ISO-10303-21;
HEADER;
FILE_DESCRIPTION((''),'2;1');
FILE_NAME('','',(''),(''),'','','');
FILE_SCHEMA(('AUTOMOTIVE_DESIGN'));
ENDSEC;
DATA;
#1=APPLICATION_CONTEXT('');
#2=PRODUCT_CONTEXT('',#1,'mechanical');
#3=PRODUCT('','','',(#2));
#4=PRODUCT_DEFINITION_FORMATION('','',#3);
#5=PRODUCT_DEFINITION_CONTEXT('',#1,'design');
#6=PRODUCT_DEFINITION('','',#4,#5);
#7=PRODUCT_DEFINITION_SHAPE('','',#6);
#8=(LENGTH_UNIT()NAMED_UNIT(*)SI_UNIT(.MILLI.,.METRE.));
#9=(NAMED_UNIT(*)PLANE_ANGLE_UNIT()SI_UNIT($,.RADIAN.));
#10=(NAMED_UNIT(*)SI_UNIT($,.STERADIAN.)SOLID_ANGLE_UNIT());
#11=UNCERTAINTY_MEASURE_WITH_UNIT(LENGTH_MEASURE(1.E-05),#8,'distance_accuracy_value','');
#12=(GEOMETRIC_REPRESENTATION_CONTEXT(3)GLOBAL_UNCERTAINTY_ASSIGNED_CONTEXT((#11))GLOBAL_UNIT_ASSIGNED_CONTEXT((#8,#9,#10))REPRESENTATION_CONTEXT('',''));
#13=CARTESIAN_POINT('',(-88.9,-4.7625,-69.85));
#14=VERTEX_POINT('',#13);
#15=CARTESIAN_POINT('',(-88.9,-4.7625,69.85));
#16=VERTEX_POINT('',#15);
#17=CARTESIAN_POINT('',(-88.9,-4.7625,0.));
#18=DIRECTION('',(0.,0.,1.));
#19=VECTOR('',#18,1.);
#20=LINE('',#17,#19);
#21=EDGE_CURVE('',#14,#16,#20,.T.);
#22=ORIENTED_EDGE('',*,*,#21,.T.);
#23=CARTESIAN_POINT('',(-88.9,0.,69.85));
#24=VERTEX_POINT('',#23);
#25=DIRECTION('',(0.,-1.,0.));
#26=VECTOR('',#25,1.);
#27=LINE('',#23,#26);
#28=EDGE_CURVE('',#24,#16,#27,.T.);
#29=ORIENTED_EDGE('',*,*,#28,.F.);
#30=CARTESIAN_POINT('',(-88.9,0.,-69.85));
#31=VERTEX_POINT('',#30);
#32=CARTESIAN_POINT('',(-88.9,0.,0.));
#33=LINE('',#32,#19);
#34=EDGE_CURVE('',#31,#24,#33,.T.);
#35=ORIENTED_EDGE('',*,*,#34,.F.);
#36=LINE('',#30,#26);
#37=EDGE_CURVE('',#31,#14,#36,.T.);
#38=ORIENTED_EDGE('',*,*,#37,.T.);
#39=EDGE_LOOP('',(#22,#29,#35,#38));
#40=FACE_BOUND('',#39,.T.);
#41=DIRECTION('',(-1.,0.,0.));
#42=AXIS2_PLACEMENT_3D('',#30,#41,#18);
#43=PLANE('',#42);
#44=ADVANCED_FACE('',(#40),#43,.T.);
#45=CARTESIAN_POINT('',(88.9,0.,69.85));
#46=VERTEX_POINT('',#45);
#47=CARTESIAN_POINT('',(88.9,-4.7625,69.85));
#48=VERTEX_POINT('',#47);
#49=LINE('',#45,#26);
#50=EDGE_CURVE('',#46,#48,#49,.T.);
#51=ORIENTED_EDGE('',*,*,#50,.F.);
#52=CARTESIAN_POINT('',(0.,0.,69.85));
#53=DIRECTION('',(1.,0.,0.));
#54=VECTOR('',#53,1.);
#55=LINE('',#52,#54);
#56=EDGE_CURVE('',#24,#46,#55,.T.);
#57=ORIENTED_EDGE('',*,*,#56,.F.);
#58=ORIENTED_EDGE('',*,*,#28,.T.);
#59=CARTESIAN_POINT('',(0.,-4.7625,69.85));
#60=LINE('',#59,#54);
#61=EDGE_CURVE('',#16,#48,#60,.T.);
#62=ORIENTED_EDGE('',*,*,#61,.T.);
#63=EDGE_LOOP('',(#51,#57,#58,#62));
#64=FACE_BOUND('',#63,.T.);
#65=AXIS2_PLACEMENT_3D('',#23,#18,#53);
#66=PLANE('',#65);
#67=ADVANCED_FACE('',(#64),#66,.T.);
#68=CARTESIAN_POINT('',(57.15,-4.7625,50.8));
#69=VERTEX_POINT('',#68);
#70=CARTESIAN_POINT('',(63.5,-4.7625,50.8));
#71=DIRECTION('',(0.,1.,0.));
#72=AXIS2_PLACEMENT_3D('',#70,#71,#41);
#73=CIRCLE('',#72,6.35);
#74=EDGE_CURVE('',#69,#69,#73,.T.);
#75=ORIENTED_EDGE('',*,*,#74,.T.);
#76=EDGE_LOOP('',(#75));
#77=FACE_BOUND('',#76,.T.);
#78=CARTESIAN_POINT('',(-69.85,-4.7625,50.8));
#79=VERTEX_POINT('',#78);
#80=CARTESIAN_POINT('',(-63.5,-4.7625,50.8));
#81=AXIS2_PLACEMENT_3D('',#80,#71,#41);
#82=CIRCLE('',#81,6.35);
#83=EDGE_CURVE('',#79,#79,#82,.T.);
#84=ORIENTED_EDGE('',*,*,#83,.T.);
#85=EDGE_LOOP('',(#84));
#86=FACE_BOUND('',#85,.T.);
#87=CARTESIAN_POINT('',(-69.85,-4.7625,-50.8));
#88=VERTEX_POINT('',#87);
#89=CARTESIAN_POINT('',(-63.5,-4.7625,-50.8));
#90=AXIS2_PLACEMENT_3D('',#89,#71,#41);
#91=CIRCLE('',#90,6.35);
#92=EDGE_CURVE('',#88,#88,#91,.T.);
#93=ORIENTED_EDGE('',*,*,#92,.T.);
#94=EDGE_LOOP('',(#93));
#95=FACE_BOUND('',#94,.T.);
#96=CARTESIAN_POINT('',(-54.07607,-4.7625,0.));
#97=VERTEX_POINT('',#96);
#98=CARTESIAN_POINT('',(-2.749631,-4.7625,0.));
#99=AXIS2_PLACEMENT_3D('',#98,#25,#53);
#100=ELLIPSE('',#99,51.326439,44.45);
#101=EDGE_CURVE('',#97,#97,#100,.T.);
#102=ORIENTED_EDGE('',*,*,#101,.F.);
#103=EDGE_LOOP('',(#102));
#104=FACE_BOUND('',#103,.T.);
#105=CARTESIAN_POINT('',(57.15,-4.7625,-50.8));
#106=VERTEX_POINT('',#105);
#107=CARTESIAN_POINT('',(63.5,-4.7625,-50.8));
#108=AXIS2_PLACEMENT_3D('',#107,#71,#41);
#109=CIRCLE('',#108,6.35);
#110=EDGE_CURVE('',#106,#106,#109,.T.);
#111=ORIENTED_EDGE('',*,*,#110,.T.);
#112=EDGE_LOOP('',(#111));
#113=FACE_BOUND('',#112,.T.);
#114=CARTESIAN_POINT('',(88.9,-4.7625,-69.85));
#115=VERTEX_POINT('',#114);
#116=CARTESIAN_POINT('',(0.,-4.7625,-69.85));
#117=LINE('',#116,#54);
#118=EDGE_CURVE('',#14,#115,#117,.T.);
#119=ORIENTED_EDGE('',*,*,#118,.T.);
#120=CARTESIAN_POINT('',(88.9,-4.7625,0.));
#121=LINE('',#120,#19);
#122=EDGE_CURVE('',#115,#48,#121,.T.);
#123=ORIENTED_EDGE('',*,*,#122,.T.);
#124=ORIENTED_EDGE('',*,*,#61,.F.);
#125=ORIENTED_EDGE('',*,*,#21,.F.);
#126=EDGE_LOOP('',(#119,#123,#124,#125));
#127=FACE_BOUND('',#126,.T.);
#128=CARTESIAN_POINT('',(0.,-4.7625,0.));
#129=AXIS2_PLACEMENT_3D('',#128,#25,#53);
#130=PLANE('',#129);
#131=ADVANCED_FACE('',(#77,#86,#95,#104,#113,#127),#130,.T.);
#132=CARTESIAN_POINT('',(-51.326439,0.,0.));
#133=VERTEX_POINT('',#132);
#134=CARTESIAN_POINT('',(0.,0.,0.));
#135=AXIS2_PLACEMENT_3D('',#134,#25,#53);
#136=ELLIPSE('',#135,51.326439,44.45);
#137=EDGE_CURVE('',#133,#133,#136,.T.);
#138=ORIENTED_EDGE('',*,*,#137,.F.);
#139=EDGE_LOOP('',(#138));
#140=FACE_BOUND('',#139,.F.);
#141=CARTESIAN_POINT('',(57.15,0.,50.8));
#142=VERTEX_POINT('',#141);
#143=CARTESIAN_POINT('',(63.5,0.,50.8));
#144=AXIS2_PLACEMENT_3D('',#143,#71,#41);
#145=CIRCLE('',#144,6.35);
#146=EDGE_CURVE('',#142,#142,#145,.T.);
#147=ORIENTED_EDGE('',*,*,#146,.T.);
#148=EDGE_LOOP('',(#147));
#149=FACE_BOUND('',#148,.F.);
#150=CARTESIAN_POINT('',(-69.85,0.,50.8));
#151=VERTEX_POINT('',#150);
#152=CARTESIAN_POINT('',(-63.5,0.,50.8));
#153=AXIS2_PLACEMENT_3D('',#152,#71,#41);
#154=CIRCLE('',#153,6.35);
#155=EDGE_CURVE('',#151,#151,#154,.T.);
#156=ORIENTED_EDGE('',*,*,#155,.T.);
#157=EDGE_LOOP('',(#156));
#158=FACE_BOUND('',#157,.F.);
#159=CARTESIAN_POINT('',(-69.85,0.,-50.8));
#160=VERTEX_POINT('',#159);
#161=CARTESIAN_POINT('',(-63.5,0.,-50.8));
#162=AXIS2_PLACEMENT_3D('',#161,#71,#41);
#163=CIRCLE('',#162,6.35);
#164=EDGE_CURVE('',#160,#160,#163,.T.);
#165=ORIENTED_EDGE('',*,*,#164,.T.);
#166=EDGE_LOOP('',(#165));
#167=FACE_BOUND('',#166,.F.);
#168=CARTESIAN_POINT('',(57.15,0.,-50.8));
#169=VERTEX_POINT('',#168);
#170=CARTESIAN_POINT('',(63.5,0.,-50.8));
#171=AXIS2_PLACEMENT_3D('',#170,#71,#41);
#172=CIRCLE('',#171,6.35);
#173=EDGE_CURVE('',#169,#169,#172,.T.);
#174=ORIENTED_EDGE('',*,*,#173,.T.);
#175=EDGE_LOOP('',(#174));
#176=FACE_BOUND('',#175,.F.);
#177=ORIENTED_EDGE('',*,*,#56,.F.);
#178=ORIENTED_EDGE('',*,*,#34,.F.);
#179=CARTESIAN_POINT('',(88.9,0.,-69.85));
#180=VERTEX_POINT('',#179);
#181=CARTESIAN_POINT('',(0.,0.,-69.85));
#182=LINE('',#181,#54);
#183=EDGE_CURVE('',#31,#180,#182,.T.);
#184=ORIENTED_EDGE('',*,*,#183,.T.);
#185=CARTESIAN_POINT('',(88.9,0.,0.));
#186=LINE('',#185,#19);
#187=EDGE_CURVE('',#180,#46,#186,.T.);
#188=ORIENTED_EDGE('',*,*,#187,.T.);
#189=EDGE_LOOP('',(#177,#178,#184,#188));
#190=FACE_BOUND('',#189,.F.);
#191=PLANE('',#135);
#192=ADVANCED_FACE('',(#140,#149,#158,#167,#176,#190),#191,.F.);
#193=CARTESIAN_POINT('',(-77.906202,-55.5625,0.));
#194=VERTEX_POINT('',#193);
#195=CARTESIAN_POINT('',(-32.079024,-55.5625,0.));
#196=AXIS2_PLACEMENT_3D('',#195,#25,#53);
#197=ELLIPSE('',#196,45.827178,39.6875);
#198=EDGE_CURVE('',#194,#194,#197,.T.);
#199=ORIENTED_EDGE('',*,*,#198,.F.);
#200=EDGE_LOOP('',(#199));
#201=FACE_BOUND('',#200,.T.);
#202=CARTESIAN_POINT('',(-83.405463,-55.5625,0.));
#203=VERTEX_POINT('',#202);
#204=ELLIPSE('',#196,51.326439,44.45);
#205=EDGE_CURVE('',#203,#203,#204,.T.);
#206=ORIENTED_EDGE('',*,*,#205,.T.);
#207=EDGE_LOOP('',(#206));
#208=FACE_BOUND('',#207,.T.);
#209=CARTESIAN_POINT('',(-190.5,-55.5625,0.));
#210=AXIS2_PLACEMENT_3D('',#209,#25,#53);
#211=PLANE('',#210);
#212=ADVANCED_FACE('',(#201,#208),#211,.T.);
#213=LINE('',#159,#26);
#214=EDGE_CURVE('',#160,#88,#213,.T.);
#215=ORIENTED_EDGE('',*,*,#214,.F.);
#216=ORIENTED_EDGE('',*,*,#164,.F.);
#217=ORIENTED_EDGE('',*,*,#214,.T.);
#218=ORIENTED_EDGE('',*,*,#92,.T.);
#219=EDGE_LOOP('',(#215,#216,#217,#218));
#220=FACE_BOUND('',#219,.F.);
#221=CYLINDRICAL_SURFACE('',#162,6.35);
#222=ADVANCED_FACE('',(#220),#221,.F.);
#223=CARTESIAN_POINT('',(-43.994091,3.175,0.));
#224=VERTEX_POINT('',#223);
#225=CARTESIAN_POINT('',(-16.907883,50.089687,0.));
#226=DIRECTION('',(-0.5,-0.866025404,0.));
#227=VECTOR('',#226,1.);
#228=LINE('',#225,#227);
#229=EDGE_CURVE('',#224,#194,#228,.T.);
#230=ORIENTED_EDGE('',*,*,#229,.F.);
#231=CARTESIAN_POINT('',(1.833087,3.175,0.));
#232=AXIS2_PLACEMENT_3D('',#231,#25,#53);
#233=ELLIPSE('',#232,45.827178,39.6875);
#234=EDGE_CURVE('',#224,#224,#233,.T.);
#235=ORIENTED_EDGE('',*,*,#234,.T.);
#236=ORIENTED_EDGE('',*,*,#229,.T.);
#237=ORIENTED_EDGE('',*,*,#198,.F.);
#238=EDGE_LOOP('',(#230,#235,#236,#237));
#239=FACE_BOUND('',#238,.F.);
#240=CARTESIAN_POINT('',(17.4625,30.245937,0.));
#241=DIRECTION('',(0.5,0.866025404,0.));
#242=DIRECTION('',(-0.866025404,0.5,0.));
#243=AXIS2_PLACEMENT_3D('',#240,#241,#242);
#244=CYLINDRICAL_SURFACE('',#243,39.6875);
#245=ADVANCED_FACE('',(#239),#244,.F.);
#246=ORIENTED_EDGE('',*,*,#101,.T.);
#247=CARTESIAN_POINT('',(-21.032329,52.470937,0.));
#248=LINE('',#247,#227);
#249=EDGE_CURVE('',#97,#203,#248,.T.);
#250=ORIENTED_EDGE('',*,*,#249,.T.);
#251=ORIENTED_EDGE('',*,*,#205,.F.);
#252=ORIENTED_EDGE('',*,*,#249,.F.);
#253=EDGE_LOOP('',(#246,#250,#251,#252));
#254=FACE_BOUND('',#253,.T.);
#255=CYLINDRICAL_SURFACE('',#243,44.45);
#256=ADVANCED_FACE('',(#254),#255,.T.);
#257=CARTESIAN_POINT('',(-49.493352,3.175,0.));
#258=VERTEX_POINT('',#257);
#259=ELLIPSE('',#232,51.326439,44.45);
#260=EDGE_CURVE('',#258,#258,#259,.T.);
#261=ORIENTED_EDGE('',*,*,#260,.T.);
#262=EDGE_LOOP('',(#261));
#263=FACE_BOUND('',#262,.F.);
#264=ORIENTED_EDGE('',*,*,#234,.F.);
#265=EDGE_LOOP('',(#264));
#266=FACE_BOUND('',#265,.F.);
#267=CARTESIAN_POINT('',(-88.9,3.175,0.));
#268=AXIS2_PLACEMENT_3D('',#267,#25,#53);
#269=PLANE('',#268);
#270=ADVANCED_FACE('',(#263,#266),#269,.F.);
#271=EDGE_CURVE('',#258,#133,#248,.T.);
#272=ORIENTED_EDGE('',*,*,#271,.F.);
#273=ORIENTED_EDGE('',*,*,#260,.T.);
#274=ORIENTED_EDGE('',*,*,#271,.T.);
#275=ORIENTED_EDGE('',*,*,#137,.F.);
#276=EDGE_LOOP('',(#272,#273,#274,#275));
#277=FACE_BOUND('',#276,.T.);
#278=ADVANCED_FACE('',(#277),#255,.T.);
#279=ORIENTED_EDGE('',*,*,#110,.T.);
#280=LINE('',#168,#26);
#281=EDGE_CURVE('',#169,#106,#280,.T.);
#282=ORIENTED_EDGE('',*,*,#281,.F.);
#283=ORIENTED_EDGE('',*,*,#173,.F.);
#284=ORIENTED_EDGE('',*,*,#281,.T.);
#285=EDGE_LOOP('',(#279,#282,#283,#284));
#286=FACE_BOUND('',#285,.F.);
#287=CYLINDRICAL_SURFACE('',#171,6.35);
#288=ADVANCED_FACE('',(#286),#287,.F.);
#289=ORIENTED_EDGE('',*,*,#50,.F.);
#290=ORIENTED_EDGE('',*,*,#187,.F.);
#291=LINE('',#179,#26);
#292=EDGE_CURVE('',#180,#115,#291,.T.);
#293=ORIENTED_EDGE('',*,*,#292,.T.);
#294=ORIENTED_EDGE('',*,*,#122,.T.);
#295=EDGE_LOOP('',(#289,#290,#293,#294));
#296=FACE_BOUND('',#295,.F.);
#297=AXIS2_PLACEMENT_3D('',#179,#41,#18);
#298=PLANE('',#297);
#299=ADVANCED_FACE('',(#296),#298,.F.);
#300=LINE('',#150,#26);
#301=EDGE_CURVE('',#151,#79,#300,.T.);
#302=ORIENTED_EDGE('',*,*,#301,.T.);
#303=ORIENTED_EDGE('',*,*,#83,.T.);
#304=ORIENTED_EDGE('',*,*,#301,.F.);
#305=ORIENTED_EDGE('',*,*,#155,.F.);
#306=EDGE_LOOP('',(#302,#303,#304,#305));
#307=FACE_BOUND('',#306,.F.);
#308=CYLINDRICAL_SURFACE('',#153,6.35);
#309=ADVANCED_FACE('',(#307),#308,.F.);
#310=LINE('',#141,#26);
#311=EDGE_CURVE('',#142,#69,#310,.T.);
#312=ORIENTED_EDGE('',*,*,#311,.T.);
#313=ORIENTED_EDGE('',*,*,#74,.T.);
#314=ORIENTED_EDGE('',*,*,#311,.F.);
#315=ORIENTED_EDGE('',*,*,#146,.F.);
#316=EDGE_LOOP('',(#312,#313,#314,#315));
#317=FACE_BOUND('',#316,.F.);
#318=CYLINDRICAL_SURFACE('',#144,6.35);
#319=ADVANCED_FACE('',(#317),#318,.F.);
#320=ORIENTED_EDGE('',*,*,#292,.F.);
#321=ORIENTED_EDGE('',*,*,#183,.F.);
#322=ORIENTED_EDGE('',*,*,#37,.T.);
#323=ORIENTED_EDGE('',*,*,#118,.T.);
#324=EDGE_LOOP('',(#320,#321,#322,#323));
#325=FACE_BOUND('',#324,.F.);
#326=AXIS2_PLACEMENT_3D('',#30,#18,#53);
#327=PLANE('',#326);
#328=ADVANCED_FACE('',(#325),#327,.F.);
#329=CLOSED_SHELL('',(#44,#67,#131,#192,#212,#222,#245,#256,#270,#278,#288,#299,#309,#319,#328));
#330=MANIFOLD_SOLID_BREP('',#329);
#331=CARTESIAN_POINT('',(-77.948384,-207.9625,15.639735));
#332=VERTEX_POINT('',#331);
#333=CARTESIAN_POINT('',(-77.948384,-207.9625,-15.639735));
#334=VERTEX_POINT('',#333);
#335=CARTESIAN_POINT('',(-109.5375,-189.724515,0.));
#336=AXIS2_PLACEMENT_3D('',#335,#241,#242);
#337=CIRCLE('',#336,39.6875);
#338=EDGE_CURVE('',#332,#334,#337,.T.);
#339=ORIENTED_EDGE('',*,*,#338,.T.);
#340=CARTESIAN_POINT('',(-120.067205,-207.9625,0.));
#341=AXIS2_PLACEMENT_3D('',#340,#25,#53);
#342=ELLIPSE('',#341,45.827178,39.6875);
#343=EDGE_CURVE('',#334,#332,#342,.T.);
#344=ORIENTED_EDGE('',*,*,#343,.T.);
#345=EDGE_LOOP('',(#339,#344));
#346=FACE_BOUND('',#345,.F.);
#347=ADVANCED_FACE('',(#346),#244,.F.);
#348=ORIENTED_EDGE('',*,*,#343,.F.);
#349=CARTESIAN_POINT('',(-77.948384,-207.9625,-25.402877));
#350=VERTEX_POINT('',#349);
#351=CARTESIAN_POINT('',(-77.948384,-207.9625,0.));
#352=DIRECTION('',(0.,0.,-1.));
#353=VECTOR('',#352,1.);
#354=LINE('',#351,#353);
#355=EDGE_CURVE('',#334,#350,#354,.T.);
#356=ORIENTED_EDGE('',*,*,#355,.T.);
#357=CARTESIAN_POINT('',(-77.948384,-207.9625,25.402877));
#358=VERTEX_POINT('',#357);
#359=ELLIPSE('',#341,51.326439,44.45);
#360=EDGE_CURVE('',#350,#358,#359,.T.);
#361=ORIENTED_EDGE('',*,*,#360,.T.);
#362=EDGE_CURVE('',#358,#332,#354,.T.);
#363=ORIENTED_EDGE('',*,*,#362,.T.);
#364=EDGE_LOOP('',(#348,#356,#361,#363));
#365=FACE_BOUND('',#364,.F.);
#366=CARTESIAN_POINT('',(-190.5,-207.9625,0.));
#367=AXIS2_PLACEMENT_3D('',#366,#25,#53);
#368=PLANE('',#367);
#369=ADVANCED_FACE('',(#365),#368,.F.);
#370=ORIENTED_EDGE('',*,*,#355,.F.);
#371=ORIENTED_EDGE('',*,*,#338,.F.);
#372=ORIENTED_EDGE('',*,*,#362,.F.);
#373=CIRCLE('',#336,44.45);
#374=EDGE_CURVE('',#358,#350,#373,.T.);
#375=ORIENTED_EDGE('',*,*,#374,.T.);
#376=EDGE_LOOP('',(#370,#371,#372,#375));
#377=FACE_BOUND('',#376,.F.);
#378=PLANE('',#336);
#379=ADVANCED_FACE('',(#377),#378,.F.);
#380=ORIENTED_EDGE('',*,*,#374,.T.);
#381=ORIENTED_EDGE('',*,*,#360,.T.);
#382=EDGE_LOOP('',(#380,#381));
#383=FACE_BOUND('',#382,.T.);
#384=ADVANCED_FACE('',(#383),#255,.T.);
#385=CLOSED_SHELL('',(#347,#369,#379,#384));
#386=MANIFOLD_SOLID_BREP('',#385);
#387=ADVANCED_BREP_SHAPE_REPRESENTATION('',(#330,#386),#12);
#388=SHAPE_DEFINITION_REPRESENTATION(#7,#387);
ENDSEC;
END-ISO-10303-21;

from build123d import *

# Parameters (mm, degrees)
F0_W      = 177.8
F0_H      = 139.7
F1_DEPTH  = 4.7625
F4_R      = 44.45
F5_DEPTH  = 254
F6_R      = 39.6875
F7_DEPTH  = 292.4958291982
F8_W      = 177.8
F8_H      = 76.2
F9_DEPTH  = 50.8
F10_R     = 6.35
F11_DEPTH = 211.9505153341
F12_W     = 279.4
F12_H     = 152.4
F13_DEPTH = 44.577


with BuildPart() as f1:
    # F0 (on Front) → F1 (new body)
    with BuildSketch(Plane.XZ):
        Rectangle(F0_W, F0_H)
    extrude(amount=F1_DEPTH)

    # F4 (on face) → F5 (join)
    with BuildSketch(Plane(origin=(17.4625, 30.2459372272, 0), x_dir=(-0.8660254038, 0.5, 0), z_dir=(0.5, 0.8660254038, 0))):
        Circle(F4_R)
    extrude(amount=-F5_DEPTH)

    # F6 (on face) → F7 (cut, through all)
    with BuildSketch(Plane(origin=(17.4625, 30.2459372272, 0), x_dir=(-0.8660254038, 0.5, 0), z_dir=(0.5, 0.8660254038, 0))):
        Circle(F6_R)
    extrude(amount=-F7_DEPTH, mode=Mode.SUBTRACT)

    # F8 (on Top) → F9 (cut, symmetric)
    with BuildSketch(Plane.XY):
        with Locations((0, 41.275)):
            Rectangle(F8_W, F8_H)
    extrude(amount=F9_DEPTH, both=True, mode=Mode.SUBTRACT)

    # F10 (on face) → F11 (cut, through all)
    with BuildSketch(Plane(origin=(0, 0, 0), x_dir=(-1, 0, 0), z_dir=(0, 1, 0))):
        with Locations((63.5, 50.8)):
            Circle(F10_R)
        with Locations((-63.5, 50.8)):
            Circle(F10_R)
        with Locations((63.5, -50.8)):
            Circle(F10_R)
        with Locations((-63.5, -50.8)):
            Circle(F10_R)
    extrude(amount=-F11_DEPTH, mode=Mode.SUBTRACT)

    # F12 (on Top) → F13 (cut, symmetric)
    with BuildSketch(Plane.XY):
        with Locations((-50.8, -131.7625)):
            Rectangle(F12_W, F12_H)
    extrude(amount=F13_DEPTH, both=True, mode=Mode.SUBTRACT)


solid = f1.part
